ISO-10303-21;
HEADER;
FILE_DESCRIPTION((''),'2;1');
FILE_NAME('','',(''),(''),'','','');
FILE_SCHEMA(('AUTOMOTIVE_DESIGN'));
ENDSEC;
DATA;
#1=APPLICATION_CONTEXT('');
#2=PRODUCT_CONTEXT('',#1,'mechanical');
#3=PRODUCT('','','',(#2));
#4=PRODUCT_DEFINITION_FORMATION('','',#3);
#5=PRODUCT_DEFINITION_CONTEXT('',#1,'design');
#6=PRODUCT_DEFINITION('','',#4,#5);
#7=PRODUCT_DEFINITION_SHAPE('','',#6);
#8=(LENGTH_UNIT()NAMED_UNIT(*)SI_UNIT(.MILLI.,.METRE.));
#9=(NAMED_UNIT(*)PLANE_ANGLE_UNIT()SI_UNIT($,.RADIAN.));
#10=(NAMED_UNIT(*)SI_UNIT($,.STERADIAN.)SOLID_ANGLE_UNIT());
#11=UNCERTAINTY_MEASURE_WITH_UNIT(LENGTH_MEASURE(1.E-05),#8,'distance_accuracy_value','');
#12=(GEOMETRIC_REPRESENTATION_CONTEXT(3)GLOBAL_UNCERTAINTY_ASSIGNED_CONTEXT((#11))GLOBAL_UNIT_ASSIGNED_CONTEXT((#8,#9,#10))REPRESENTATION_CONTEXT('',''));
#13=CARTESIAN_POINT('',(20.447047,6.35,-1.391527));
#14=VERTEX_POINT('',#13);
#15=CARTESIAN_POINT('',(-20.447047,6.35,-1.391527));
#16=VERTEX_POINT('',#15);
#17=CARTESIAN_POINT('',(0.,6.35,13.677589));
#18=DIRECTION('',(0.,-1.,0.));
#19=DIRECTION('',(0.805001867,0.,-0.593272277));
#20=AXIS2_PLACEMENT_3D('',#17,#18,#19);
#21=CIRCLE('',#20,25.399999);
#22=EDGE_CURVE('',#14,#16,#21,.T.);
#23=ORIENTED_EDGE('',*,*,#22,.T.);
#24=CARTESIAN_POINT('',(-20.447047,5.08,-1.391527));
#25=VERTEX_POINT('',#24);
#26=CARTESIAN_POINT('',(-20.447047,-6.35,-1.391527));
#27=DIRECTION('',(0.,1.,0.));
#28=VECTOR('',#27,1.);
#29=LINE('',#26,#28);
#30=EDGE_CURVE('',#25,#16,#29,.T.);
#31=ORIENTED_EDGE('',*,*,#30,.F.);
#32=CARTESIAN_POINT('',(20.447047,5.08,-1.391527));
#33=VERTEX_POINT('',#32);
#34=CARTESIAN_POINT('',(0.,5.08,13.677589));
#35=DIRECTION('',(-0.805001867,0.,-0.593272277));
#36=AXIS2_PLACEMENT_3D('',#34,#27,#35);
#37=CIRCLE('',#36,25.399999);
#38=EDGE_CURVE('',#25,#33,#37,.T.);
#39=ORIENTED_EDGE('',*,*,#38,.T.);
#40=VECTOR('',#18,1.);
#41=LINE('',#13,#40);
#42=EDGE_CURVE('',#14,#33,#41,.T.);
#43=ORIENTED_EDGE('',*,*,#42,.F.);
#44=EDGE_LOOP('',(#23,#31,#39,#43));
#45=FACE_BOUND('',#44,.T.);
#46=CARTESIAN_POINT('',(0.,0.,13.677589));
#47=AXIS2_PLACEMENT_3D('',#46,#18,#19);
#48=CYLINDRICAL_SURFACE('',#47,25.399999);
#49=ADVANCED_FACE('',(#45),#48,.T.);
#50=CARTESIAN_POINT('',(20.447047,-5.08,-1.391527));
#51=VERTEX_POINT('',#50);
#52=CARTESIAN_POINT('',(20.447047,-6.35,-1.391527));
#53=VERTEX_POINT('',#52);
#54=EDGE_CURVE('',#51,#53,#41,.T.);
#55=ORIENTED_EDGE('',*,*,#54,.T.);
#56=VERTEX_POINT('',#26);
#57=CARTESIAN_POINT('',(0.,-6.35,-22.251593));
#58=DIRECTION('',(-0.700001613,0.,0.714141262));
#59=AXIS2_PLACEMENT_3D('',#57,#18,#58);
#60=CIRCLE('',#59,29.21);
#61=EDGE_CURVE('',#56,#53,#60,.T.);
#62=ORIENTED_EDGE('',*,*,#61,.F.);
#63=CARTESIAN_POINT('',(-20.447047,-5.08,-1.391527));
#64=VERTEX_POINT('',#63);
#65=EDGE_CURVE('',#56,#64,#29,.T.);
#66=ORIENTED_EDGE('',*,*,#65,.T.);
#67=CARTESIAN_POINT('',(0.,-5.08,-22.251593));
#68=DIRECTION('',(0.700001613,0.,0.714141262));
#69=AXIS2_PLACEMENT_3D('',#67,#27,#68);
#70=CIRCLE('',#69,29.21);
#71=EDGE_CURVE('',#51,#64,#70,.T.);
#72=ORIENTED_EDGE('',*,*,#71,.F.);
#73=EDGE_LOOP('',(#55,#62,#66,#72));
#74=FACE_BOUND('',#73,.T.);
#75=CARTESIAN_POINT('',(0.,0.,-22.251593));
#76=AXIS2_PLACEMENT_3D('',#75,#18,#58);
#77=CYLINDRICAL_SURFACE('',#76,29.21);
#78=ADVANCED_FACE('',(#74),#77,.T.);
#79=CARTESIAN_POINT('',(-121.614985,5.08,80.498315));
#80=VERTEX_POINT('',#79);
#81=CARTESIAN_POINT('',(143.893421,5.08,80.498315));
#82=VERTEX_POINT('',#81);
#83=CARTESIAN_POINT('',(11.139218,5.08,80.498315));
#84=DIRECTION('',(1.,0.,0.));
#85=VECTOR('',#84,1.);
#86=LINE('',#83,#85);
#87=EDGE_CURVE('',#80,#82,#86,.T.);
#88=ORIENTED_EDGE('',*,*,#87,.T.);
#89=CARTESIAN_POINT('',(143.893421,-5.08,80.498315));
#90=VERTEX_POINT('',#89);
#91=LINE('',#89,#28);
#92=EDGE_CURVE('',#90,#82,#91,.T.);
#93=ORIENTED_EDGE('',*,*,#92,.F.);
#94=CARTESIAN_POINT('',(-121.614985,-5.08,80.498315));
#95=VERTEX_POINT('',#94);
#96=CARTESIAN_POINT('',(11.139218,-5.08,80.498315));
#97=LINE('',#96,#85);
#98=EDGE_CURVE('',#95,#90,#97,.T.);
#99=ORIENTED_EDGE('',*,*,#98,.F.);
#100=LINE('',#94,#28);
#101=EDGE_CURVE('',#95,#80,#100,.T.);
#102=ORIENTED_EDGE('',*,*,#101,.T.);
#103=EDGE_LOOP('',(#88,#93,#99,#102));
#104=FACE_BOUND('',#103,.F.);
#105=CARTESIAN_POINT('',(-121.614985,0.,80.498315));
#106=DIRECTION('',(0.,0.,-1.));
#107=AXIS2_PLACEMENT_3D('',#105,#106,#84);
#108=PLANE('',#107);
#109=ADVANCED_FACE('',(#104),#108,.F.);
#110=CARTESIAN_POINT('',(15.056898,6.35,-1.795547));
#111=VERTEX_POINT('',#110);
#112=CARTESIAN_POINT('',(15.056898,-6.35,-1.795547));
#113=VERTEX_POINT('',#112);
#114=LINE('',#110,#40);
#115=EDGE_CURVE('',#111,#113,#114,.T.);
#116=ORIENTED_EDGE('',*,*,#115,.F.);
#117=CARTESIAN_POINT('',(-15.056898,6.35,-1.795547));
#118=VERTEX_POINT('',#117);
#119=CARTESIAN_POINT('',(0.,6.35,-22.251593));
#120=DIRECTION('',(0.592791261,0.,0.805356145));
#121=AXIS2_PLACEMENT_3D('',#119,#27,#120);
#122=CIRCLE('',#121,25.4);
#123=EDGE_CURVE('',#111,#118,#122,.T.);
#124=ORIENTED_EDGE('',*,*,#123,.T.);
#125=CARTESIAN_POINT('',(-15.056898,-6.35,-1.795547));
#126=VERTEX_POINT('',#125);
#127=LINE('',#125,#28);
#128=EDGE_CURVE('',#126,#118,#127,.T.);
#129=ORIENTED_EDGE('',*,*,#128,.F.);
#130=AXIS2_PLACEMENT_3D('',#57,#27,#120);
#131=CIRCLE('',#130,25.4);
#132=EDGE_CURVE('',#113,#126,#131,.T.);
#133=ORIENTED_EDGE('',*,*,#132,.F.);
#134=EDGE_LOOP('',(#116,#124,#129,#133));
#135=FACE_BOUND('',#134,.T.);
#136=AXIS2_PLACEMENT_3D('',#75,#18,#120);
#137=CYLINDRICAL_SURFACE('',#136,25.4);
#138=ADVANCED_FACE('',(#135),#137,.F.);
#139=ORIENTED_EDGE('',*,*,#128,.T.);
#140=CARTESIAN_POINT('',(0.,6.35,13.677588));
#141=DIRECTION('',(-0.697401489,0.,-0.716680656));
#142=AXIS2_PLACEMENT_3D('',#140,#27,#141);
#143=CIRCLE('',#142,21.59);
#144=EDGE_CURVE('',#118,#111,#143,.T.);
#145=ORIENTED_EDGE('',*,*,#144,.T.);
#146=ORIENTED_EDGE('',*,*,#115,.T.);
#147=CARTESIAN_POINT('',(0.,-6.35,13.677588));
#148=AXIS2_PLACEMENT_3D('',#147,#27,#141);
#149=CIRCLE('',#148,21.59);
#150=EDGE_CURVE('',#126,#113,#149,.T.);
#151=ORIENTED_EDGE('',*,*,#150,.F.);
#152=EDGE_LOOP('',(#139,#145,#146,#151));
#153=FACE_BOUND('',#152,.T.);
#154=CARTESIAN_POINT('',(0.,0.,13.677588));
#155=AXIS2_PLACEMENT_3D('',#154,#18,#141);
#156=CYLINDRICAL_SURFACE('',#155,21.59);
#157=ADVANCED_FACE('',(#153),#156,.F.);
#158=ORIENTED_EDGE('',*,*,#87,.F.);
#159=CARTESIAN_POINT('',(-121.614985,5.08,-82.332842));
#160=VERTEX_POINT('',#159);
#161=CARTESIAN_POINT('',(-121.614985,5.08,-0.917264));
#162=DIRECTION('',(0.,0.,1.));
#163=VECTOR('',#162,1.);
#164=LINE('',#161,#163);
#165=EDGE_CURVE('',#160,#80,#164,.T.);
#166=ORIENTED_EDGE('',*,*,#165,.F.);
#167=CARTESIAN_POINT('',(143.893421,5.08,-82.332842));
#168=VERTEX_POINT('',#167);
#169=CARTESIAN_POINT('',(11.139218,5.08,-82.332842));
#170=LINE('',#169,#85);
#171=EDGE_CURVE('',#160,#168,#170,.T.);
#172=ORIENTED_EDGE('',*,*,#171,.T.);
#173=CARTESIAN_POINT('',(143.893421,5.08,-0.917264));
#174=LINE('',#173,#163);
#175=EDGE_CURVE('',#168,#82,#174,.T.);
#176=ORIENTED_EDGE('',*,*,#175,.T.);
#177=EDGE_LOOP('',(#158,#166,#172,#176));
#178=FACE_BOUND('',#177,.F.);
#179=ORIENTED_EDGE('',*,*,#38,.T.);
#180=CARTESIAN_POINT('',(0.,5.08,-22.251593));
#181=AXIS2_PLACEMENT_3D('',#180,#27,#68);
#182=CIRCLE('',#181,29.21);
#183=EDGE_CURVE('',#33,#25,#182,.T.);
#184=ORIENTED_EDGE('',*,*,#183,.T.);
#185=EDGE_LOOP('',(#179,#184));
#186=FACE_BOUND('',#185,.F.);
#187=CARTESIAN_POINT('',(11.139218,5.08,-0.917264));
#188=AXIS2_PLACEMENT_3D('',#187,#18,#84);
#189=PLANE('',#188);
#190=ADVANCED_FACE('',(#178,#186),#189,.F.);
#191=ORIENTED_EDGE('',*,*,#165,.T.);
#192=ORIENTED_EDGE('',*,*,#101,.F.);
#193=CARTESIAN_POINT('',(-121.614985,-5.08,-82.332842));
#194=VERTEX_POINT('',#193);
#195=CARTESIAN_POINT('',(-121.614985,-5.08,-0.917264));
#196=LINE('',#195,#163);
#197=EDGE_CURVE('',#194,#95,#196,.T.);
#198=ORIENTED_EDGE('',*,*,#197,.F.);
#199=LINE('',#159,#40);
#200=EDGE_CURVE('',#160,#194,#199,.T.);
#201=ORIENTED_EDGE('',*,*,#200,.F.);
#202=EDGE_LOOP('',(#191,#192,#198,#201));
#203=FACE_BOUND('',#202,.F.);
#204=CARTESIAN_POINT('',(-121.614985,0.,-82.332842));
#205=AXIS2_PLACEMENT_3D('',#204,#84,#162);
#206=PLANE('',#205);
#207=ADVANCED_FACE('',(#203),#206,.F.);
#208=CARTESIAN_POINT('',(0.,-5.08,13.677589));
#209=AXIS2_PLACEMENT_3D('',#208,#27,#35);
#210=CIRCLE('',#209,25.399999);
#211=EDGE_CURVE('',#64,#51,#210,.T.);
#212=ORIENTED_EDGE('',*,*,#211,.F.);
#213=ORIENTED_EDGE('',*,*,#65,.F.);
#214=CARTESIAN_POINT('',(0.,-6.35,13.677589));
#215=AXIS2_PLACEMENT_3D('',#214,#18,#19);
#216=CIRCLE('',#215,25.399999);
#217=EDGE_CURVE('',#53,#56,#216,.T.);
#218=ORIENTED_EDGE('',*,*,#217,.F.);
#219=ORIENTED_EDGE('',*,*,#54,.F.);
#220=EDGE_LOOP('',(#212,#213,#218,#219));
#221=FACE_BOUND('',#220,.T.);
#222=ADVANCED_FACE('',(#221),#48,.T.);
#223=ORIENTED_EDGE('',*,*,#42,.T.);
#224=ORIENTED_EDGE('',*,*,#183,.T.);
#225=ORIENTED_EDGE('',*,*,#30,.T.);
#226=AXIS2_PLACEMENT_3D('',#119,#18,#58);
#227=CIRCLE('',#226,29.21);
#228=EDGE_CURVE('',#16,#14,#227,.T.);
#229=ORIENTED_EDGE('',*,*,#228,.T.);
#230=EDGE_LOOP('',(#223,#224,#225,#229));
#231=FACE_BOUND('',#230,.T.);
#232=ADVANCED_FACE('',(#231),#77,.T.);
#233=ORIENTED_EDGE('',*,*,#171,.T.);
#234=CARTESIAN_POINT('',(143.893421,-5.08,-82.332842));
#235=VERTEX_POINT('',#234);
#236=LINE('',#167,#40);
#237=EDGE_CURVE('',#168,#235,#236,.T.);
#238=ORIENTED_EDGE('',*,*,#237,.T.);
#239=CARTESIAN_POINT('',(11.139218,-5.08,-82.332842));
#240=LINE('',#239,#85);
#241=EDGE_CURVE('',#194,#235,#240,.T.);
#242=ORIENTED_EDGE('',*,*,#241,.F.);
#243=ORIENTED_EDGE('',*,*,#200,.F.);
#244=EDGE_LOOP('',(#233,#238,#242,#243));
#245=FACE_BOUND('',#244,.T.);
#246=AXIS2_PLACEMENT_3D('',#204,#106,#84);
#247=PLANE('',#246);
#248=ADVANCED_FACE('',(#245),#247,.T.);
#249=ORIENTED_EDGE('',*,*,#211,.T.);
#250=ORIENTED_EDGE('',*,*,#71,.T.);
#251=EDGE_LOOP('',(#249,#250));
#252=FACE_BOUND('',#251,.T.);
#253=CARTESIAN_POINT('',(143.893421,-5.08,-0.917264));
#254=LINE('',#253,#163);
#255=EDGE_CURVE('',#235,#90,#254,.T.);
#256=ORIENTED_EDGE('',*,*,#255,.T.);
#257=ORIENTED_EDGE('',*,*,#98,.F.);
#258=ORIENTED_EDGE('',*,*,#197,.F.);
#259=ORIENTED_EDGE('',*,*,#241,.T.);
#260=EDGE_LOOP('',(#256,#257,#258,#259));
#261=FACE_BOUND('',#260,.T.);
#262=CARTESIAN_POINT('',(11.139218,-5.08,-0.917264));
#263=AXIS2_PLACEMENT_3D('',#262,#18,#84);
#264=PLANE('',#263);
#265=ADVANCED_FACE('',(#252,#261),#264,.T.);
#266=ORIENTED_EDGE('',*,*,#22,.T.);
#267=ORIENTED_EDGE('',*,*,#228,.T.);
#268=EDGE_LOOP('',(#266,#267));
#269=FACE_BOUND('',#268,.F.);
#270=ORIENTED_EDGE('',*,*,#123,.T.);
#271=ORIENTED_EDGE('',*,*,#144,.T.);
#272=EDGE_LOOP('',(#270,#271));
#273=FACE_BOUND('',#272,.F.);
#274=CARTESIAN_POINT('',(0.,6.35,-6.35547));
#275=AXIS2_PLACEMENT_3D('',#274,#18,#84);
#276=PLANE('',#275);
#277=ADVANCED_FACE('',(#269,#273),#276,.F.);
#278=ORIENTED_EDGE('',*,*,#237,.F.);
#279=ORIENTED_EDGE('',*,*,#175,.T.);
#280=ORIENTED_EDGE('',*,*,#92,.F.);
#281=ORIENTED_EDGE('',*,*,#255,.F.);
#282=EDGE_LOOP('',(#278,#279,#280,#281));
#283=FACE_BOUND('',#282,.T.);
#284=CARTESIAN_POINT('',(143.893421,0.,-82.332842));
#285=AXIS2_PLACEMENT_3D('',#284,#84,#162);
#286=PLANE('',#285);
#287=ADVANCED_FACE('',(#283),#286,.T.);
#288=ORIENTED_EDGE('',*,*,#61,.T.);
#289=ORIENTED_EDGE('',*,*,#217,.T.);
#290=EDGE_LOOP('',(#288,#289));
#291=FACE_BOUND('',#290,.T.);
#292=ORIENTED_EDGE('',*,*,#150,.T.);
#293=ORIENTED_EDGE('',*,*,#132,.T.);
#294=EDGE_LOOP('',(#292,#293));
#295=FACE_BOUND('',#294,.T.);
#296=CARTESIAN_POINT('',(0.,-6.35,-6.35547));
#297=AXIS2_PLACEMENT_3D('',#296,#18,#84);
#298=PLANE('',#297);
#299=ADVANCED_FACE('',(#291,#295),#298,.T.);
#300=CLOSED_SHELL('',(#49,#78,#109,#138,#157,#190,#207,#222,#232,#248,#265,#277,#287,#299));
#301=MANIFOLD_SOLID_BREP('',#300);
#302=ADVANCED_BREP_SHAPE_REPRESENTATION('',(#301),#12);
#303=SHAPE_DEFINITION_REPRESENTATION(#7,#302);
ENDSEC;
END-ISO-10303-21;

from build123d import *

# Parameters (mm, degrees)
F1_DEPTH = 6.35
F0_W     = 265.508406
F0_H     = 162.831157
F2_DEPTH = 5.08


with BuildPart() as f1:
    # F0 (on Front) → F1 (new body, symmetric)
    with BuildSketch(Plane.XZ):
        with BuildLine():
            ThreePointArc((-20.447047, -1.391527), (0, -51.461593), (20.447047, -1.391527))
            ThreePointArc((20.447047, -1.391527), (0, 39.077588), (-20.447047, -1.391527))
        make_face()
        with BuildLine():
            ThreePointArc((15.056898, -1.795547), (0, -47.651593), (-15.056898, -1.795547))
            ThreePointArc((-15.056898, -1.795547), (0, 35.267588), (15.056898, -1.795547))
        make_face(mode=Mode.SUBTRACT)
    extrude(amount=F1_DEPTH, both=True)

    # F0 (on Front) → F2 (join, symmetric)
    with BuildSketch(Plane.XZ):
        with Locations((11.139218, -0.917264)):
            Rectangle(F0_W, F0_H)
        with BuildLine():
            ThreePointArc((-20.447047, -1.391527), (0, 39.077588), (20.447047, -1.391527))
            ThreePointArc((20.447047, -1.391527), (0, -51.461593), (-20.447047, -1.391527))
        make_face(mode=Mode.SUBTRACT)
    extrude(amount=F2_DEPTH, both=True)


solid = f1.part
